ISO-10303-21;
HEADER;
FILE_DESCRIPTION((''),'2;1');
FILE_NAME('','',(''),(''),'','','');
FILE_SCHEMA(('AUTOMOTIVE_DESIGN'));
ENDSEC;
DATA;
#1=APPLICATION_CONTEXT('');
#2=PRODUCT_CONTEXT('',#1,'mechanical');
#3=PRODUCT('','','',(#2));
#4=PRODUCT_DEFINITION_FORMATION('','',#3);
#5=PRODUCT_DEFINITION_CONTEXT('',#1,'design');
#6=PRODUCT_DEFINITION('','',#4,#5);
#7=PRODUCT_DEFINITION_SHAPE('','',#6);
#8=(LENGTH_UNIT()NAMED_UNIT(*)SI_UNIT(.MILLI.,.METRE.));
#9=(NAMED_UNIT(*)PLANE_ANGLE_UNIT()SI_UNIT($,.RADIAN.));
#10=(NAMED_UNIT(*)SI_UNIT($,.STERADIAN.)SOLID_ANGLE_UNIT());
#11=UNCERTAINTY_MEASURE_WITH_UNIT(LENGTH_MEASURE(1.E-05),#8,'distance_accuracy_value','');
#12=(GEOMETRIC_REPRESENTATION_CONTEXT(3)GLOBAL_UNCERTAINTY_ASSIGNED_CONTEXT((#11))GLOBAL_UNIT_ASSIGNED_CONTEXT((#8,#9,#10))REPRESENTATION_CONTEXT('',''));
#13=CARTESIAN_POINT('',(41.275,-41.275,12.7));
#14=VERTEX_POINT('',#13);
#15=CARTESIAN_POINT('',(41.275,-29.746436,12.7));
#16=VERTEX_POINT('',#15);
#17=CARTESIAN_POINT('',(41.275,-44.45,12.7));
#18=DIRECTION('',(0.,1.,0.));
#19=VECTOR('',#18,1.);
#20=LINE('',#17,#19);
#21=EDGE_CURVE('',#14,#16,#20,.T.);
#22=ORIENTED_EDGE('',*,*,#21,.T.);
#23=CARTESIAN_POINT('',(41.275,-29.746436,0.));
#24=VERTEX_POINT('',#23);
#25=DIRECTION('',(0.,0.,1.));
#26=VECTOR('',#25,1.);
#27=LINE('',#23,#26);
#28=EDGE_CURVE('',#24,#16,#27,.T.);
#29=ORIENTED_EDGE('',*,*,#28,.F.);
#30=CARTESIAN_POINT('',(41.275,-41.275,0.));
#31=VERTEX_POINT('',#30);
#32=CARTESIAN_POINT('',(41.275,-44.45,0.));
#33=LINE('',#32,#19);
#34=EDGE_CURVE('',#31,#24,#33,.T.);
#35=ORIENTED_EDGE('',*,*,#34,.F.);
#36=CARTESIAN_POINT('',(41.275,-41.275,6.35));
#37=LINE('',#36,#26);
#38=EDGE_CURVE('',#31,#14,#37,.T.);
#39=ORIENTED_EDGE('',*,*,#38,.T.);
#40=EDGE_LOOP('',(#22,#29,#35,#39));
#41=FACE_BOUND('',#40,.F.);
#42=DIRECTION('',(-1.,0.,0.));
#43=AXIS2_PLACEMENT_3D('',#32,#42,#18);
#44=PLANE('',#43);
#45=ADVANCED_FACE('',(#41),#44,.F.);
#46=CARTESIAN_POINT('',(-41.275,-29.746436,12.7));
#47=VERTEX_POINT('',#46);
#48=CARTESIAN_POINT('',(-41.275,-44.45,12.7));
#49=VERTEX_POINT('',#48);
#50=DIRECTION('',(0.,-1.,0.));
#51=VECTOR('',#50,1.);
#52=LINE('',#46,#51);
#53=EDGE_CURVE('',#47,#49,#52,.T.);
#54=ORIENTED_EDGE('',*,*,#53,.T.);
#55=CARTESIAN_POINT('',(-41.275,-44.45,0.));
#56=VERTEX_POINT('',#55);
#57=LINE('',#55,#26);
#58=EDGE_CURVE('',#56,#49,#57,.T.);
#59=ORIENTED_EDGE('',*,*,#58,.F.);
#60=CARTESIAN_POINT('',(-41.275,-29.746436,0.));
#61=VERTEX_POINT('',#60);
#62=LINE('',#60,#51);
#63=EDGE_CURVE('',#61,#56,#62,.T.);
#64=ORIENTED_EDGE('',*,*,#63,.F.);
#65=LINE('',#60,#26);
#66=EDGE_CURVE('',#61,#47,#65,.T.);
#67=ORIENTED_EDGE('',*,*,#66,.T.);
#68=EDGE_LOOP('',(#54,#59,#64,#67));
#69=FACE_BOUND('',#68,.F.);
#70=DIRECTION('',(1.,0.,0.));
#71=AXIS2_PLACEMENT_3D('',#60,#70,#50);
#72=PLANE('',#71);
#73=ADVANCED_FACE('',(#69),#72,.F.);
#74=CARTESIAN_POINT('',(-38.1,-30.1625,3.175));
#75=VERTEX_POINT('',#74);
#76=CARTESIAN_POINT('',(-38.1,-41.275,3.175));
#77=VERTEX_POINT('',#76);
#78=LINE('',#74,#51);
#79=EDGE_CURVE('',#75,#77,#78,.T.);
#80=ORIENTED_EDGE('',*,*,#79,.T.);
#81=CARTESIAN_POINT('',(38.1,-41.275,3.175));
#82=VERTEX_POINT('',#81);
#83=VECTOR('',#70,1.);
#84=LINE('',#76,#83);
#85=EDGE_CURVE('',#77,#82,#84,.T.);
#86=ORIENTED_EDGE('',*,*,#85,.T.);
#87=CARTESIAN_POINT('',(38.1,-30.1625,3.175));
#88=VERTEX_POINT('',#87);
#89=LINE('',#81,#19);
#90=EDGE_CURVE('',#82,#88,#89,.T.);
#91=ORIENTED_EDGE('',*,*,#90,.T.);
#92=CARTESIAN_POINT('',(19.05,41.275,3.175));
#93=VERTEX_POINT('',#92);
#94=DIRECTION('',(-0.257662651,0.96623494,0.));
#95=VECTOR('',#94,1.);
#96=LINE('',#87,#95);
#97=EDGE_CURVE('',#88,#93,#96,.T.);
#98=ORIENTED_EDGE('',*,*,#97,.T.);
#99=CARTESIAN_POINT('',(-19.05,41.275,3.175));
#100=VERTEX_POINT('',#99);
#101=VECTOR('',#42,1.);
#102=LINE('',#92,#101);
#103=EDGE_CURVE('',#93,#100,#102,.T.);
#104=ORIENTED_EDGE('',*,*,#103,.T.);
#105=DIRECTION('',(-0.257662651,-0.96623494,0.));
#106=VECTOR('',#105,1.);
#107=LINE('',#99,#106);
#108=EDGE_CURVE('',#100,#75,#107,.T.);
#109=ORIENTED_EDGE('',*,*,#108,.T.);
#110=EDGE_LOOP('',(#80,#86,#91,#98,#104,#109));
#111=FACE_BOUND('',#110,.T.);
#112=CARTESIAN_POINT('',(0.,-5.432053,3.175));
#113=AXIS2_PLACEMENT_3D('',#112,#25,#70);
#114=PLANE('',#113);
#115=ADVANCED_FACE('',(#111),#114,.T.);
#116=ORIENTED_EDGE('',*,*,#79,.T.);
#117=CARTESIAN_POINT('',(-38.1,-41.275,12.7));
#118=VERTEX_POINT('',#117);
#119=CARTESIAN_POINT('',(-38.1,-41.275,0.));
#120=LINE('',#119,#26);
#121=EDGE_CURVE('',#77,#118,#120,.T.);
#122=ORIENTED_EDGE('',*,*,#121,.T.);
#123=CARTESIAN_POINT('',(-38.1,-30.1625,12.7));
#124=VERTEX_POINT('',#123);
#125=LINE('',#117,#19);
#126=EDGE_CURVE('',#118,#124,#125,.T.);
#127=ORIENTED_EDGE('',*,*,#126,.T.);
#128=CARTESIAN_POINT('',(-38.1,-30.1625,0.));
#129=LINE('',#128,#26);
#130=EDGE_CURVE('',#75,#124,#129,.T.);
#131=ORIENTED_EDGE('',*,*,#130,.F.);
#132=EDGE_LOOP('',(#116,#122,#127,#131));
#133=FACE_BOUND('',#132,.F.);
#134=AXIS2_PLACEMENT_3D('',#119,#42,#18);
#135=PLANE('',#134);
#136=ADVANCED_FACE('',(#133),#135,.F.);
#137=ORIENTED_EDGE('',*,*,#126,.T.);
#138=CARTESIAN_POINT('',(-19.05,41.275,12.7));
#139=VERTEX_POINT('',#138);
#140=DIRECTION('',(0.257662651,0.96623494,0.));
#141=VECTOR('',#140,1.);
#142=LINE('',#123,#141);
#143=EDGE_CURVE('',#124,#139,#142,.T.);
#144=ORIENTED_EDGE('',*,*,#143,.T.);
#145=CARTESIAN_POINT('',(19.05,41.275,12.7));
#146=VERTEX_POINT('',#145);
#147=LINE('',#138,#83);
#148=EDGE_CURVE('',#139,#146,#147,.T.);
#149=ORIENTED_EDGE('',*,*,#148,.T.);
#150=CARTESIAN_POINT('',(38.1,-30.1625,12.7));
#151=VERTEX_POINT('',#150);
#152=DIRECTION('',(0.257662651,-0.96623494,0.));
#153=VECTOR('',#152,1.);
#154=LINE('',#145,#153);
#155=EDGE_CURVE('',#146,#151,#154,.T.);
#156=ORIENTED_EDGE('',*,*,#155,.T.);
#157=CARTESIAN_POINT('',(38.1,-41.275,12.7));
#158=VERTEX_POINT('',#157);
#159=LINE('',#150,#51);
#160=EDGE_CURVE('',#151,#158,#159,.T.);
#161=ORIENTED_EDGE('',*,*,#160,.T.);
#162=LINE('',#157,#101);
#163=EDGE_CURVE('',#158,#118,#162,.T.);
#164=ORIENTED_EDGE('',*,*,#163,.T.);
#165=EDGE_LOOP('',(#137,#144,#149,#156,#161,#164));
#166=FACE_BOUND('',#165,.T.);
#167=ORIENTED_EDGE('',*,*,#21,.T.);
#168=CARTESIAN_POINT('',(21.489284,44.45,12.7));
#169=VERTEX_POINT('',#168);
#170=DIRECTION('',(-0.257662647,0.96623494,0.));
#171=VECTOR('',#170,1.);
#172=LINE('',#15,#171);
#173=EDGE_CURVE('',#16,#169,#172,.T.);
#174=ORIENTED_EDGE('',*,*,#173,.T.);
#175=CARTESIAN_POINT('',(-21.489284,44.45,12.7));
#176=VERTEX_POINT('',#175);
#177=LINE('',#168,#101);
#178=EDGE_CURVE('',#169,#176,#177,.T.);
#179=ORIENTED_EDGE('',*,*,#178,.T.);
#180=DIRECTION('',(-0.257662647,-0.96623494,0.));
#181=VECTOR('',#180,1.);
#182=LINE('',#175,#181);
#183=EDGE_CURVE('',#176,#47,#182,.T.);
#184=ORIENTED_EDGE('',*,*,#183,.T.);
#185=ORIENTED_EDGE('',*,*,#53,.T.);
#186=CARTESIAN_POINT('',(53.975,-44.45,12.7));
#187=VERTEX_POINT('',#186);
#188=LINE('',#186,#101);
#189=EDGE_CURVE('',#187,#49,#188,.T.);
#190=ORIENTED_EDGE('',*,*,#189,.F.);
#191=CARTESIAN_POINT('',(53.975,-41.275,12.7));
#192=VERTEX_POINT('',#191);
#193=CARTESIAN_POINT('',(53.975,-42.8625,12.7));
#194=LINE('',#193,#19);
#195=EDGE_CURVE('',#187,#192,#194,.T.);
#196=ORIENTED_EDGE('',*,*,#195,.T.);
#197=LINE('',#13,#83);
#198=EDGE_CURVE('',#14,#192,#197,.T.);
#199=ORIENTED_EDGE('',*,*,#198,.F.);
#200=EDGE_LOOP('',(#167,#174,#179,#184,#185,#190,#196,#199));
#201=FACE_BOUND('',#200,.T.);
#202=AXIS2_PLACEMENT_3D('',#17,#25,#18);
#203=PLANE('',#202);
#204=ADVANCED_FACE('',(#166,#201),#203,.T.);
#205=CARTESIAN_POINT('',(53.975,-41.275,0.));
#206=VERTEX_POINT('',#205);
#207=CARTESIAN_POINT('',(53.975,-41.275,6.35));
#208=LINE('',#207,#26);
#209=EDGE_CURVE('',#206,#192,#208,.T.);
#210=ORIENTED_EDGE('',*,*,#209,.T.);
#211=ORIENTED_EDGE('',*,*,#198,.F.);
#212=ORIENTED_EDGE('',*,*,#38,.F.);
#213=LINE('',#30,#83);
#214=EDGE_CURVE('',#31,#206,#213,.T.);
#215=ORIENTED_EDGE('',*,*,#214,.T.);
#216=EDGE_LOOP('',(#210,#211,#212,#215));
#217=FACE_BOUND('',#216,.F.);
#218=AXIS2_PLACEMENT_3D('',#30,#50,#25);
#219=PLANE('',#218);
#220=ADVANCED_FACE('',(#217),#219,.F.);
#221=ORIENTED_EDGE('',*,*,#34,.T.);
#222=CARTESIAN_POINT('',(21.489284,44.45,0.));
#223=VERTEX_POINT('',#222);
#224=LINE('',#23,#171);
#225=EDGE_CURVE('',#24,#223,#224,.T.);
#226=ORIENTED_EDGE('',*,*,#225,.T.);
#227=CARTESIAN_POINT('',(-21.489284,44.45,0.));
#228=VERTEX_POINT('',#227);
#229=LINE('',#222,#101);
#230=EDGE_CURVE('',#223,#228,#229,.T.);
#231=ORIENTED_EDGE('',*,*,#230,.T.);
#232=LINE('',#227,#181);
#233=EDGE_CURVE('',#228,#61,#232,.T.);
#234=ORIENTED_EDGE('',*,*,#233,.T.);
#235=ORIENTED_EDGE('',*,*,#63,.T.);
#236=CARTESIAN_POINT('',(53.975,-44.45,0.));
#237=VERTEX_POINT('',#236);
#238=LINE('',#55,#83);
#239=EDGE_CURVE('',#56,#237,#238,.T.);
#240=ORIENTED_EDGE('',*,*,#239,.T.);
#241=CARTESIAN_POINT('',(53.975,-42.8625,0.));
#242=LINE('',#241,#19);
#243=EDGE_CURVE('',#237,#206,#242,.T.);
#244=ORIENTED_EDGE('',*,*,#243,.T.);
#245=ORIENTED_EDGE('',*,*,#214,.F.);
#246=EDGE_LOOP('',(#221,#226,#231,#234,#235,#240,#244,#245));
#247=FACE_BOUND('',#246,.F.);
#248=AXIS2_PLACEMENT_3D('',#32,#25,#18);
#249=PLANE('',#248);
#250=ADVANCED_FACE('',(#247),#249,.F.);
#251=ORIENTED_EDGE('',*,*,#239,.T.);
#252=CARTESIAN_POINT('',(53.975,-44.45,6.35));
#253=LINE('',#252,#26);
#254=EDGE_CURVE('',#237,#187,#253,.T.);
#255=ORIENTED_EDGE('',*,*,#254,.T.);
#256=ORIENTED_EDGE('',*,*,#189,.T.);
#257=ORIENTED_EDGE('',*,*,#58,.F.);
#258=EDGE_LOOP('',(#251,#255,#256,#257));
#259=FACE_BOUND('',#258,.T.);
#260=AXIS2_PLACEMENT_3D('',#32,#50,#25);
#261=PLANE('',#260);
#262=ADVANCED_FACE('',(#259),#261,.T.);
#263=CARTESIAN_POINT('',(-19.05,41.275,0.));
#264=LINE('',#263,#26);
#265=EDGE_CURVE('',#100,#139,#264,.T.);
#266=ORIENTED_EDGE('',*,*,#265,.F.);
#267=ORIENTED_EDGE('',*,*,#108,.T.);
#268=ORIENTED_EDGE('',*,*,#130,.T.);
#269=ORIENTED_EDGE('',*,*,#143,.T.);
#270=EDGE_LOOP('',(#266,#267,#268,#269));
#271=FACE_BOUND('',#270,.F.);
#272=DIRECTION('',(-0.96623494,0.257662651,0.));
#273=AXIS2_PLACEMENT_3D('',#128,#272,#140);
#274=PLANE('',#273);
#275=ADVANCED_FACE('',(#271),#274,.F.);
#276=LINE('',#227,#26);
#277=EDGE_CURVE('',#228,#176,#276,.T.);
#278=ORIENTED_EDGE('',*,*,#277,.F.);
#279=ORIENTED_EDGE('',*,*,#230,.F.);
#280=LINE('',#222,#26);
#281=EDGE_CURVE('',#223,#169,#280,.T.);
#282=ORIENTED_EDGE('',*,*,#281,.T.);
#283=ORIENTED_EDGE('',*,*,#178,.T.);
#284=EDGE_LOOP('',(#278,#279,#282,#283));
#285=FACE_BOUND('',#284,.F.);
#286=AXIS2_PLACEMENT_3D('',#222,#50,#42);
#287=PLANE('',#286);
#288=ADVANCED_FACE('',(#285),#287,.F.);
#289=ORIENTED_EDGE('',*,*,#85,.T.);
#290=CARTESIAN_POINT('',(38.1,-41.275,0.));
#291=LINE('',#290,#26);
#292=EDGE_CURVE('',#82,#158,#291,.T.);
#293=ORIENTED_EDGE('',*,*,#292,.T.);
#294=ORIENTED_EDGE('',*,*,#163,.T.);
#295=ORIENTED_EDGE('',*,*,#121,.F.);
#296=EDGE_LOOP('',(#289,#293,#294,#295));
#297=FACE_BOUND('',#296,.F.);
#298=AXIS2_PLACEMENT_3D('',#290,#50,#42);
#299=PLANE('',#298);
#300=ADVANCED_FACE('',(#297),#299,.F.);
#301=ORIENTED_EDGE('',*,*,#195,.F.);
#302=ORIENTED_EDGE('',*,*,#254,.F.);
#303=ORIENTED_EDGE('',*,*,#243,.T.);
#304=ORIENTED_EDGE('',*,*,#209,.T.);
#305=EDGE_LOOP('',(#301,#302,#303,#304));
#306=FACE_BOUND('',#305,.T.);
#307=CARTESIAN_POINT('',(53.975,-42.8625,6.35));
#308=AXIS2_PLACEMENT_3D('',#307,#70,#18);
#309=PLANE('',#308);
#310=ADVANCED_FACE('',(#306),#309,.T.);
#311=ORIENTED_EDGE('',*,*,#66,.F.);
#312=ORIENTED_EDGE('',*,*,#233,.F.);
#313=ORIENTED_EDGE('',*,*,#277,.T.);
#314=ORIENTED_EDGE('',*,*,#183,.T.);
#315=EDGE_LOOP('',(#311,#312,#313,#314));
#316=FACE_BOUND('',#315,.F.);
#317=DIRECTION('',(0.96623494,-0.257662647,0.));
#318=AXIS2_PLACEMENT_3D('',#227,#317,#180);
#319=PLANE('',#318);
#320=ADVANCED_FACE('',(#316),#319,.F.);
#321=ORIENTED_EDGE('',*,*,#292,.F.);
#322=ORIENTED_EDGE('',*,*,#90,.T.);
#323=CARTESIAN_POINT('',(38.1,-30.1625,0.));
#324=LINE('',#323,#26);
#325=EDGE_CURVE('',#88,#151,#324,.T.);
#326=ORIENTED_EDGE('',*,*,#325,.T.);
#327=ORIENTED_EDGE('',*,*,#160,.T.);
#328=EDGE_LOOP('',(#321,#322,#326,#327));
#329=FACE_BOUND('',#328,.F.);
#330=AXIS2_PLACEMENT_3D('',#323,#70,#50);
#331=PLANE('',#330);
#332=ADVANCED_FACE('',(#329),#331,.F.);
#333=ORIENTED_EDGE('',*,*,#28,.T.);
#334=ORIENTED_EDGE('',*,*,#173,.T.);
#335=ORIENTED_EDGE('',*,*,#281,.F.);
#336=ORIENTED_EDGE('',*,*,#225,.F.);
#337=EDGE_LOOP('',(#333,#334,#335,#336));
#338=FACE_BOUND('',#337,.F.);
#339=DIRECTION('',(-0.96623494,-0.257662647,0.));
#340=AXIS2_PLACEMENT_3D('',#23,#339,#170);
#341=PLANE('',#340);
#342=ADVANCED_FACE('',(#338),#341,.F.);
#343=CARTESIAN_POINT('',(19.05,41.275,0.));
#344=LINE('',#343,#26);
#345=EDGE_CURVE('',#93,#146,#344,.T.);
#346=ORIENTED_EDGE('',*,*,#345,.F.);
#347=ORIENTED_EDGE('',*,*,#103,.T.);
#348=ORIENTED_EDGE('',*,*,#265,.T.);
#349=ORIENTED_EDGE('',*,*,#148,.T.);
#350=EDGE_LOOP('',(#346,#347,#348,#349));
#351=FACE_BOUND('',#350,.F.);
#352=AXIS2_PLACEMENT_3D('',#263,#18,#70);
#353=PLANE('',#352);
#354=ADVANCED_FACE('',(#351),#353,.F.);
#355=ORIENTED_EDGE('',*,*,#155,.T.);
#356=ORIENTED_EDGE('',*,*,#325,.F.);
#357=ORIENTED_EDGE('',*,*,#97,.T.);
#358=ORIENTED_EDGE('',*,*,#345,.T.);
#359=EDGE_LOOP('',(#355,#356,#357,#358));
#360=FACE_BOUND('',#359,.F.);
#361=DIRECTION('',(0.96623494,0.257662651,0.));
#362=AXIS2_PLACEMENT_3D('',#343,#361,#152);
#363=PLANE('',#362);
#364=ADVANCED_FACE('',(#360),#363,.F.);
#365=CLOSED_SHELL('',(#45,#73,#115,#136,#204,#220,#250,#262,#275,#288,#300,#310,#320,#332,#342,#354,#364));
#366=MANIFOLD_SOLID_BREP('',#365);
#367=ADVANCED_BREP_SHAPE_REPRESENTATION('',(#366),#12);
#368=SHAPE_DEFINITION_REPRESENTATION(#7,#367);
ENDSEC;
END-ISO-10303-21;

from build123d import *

# Parameters (mm, degrees)
F2_DEPTH = 3.175
F3_DEPTH = 12.7
F4_W     = 3.175
F4_H     = 12.7
F5_DEPTH = 12.7


with BuildPart() as f2:
    # F0 (on Top) → F2 (new body)
    with BuildSketch(Plane.XY):
        Polygon((-38.1, -30.1625), (-38.1, -41.275), (38.1, -41.275), (38.1, -30.1625), (19.05, 41.275), (-19.05, 41.275), align=None)
    extrude(amount=F2_DEPTH)

    # F1 (on face) → F3 (join)
    with BuildSketch(Plane.XY):
        Polygon((21.489284, 44.45), (-21.489284, 44.45), (-41.275, -29.746436), (-41.275, -44.45), (41.275, -44.45), (41.275, -29.746436), align=None)
        Polygon((-38.1, -41.275), (-38.1, -30.1625), (-19.05, 41.275), (19.05, 41.275), (38.1, -30.1625), (38.1, -41.275), align=None, mode=Mode.SUBTRACT)
    extrude(amount=F3_DEPTH)

    # F4 (on face) → F5 (join)
    with BuildSketch(Plane.YZ.offset(41.275)):
        with Locations((-42.8625, 6.35)):
            Rectangle(F4_W, F4_H)
    extrude(amount=F5_DEPTH)


solid = f2.part
